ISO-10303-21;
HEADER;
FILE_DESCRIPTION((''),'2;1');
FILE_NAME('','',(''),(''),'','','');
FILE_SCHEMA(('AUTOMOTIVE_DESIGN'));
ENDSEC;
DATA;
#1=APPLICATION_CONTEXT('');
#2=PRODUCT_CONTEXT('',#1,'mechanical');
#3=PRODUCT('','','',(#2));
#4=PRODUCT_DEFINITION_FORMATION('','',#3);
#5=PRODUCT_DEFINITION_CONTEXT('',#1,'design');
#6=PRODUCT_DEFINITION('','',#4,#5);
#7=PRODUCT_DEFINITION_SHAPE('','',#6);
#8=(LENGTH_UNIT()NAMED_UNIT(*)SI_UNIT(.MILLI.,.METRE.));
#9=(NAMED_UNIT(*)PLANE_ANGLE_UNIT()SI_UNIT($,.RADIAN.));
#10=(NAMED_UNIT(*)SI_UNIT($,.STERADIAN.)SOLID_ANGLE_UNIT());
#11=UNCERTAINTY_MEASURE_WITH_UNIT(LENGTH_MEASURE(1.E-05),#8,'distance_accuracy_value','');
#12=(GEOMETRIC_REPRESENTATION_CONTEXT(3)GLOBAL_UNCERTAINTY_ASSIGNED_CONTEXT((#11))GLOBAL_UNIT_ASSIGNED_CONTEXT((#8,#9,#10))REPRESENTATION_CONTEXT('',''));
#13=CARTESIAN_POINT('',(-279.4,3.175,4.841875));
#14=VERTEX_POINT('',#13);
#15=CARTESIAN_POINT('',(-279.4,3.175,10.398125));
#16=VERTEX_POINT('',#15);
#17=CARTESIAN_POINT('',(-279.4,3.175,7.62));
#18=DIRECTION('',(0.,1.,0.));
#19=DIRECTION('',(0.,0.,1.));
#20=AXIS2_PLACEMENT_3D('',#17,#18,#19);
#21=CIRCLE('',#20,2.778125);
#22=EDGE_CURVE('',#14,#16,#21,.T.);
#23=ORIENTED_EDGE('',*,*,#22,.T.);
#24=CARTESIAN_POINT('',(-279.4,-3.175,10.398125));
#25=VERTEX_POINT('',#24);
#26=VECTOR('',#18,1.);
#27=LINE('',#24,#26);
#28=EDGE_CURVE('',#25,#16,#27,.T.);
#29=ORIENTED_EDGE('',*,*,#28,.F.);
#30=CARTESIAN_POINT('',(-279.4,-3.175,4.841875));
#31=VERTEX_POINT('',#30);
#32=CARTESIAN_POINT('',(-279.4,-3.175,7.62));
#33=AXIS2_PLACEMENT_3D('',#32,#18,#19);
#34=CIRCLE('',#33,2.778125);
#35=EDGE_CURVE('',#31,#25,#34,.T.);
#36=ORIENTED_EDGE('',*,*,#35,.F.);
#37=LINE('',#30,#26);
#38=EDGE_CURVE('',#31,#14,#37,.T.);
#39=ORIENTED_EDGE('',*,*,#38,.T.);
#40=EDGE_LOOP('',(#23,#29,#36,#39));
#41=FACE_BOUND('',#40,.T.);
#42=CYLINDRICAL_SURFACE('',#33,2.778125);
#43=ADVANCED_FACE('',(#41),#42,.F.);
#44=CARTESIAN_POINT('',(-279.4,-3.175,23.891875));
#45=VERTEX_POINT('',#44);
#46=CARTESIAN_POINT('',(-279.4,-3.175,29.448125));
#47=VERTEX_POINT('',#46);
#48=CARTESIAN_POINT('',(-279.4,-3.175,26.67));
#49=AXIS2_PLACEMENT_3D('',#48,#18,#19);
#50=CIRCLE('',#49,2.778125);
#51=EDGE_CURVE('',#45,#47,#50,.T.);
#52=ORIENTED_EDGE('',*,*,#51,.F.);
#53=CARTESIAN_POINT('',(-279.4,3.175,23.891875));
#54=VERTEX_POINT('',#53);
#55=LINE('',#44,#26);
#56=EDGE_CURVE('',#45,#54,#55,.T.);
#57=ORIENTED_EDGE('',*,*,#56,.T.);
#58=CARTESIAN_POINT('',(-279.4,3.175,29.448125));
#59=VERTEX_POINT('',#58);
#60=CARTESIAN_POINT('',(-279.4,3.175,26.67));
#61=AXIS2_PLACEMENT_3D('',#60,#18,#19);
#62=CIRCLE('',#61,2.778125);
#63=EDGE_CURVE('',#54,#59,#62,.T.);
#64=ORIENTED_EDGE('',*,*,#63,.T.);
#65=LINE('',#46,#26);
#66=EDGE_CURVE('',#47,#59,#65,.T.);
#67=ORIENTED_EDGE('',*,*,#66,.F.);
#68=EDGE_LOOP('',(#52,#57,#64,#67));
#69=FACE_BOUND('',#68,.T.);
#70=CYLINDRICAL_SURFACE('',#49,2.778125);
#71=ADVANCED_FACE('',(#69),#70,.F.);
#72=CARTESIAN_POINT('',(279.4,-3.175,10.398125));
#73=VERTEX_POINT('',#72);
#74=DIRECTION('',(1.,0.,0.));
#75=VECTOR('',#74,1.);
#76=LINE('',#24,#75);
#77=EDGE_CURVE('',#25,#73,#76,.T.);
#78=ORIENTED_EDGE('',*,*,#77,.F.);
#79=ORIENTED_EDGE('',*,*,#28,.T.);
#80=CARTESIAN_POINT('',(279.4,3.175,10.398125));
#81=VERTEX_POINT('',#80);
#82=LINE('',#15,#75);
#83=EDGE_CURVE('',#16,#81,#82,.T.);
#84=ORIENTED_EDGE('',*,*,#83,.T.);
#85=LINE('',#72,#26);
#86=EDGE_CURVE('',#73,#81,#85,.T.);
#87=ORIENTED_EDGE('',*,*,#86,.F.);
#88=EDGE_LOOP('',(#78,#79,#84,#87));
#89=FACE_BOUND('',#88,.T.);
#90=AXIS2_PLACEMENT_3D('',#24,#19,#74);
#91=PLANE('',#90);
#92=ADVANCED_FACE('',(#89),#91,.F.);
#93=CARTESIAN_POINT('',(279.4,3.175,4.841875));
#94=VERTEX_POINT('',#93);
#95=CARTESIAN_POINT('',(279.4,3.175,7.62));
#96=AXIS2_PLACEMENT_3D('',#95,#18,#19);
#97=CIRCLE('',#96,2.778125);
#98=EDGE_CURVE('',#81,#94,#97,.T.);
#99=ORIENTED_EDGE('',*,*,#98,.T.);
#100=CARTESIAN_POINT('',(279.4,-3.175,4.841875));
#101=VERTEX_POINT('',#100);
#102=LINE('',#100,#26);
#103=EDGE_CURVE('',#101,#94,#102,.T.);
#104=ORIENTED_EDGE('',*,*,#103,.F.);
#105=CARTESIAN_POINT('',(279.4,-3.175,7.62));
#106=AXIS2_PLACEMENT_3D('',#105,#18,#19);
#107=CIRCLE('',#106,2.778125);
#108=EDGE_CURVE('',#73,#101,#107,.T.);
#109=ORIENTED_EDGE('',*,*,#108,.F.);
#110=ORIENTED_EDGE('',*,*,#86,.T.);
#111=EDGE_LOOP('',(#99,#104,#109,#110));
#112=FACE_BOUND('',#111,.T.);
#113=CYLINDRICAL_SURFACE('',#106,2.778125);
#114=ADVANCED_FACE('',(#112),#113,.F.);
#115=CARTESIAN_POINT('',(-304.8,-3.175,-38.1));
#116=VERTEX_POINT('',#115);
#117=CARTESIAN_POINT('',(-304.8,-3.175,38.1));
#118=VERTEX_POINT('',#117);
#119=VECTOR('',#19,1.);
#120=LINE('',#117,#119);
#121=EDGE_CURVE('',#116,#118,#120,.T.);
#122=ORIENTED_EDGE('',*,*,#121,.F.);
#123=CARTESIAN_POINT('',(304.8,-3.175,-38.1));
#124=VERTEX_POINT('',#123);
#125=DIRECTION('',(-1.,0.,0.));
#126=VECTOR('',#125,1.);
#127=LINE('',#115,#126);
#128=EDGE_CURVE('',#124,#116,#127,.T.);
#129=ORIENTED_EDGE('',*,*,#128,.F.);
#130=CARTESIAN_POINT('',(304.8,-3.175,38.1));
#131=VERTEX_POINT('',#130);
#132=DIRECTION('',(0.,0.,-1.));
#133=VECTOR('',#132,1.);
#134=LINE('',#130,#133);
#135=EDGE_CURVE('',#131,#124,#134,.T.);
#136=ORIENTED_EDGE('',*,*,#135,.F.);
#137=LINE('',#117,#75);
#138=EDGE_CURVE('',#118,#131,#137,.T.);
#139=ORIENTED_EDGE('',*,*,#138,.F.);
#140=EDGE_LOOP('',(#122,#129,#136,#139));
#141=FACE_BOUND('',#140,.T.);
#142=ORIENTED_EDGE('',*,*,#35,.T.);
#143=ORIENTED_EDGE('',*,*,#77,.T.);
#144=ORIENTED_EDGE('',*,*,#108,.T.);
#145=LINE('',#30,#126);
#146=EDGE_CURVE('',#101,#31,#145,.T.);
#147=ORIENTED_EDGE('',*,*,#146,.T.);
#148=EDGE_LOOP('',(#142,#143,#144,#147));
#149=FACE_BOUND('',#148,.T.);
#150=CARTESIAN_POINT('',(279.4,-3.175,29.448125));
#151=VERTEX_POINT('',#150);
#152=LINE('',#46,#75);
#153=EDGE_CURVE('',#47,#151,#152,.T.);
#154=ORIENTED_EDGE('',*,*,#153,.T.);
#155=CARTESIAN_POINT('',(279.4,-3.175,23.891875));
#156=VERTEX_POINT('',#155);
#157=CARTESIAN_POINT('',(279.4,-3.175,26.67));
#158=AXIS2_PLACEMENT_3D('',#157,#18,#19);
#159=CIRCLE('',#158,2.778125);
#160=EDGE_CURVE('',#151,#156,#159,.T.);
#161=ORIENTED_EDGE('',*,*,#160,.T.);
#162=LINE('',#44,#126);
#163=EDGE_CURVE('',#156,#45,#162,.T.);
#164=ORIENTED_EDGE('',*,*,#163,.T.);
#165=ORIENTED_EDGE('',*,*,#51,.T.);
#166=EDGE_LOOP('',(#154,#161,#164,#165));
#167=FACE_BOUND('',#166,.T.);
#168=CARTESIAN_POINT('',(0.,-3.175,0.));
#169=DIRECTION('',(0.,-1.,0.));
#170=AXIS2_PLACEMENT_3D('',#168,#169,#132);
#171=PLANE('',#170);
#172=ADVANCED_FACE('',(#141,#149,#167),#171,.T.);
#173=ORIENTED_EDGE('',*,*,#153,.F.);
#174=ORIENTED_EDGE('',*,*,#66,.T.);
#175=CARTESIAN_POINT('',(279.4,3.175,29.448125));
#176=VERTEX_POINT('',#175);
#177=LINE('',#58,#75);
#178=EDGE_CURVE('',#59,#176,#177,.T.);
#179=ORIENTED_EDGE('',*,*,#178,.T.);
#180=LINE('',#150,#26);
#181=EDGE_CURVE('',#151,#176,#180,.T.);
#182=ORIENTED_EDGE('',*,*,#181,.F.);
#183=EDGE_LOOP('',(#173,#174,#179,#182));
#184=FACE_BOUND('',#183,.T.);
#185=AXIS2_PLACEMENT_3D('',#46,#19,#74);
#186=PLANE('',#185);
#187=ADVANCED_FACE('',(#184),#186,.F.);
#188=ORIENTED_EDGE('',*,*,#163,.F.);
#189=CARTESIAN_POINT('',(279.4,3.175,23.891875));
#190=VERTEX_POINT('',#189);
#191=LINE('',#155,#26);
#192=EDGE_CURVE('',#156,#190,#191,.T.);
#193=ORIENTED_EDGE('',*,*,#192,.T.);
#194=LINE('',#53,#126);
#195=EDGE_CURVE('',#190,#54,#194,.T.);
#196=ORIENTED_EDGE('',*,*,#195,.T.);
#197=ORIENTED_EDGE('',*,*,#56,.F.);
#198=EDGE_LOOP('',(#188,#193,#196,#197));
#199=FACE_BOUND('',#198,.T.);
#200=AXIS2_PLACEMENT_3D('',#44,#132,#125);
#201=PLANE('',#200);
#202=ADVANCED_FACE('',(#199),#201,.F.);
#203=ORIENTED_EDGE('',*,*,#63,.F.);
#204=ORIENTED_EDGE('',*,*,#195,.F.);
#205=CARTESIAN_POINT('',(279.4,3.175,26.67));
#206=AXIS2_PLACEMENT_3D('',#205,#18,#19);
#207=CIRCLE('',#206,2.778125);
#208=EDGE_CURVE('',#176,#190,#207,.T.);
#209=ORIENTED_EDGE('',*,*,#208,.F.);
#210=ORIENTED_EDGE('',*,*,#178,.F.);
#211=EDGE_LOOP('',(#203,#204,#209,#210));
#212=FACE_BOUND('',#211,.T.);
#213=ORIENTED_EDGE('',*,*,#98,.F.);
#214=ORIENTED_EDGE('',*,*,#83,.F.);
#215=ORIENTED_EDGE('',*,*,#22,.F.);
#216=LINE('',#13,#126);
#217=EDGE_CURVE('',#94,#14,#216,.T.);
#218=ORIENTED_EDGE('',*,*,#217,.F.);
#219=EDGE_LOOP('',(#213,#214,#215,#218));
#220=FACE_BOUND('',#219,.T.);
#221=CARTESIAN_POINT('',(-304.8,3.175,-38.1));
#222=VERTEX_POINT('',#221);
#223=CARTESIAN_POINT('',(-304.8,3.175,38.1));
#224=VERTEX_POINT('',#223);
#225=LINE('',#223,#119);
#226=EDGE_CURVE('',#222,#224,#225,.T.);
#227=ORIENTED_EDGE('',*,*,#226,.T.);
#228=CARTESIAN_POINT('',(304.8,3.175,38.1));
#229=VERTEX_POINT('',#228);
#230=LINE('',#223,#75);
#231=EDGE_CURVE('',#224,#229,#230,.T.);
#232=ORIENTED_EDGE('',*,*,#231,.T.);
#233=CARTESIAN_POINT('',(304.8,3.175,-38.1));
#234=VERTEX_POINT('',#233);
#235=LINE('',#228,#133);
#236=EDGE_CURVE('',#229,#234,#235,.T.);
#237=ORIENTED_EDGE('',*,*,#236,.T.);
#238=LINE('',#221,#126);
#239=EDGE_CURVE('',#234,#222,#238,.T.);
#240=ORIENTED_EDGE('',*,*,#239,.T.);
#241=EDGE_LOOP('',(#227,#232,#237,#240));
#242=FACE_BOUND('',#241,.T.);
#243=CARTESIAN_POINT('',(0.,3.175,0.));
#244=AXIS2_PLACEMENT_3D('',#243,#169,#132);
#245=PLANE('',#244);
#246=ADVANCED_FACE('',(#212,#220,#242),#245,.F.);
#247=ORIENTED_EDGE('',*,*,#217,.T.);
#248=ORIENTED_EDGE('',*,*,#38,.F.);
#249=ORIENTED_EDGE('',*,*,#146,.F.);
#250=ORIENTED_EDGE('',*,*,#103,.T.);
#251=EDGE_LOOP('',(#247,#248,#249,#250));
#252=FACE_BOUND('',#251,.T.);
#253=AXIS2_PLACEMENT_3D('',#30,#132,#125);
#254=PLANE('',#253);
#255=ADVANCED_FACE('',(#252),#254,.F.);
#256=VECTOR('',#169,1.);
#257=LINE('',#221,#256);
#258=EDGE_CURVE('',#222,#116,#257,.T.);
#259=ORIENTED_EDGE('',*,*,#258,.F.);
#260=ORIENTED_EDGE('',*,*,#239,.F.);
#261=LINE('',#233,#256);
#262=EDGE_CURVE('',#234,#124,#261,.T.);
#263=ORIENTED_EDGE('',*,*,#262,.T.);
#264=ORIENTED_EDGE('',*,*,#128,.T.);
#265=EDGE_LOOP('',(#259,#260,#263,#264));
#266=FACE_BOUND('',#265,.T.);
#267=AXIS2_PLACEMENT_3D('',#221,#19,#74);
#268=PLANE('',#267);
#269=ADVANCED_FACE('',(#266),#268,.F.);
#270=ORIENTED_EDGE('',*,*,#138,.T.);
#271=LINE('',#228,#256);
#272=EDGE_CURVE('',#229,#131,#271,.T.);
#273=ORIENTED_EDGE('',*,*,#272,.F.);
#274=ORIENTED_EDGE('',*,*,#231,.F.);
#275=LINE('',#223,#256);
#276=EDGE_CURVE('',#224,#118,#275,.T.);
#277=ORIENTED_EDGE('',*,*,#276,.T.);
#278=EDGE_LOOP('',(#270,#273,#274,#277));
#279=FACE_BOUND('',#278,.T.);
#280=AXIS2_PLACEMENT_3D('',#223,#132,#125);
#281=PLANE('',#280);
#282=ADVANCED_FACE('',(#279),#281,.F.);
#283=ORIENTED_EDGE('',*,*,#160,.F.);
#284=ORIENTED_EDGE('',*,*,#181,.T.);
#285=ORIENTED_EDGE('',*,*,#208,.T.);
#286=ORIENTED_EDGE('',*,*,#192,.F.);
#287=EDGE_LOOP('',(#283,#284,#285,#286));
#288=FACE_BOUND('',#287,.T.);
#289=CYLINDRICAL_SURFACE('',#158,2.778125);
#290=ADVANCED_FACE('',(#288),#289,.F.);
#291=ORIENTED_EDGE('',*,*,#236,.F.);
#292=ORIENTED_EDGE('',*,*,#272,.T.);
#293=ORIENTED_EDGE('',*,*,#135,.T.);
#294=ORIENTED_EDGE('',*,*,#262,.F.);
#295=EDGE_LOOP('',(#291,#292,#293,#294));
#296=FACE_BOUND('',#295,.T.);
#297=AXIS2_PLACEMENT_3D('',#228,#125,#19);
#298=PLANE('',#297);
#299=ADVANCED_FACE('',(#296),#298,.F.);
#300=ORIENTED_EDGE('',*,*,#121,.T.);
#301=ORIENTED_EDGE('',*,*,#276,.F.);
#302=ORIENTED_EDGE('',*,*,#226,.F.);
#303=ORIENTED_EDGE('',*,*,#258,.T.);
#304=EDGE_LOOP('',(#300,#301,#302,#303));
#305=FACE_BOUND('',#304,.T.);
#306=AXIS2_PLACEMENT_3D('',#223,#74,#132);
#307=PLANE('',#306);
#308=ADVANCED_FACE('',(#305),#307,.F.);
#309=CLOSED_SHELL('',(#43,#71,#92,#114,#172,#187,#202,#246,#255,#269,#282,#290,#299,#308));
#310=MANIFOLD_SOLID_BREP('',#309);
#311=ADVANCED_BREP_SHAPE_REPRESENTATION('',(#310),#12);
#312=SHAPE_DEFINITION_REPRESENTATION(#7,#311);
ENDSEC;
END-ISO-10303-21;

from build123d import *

# Parameters (mm, degrees)
SKETCH1_W           = 609.6
SKETCH1_H           = 76.2
BOSS_EXTRUDE1_DEPTH = 3.175
CUT_EXTRUDE1_DEPTH  = 308.237648246


with BuildPart() as part:
    # Sketch1 → Boss-Extrude1 (new, symmetric)
    with BuildSketch(Plane(origin=(0, 0, 0), x_dir=(1, 0, 0), z_dir=(0, 1, 0))):
        Rectangle(SKETCH1_W, SKETCH1_H)
    extrude(amount=BOSS_EXTRUDE1_DEPTH, both=True)

    # Sketch2 → Cut-Extrude1 (cut, through all)
    with BuildSketch(Plane(origin=(0, 3.175, 0), x_dir=(1, 0, 0), z_dir=(0, 1, 0))):
        with BuildLine():
            Line((-279.4, -4.841875), (279.4, -4.841875))
            ThreePointArc((279.4, -4.841875), (282.178125, -7.62), (279.4, -10.398125))
            Line((279.4, -10.398125), (-279.4, -10.398125))
            ThreePointArc((-279.4, -10.398125), (-282.178125, -7.62), (-279.4, -4.841875))
        make_face()
        with BuildLine():
            Line((-279.4, -23.891875), (279.4, -23.891875))
            ThreePointArc((279.4, -23.891875), (282.178125, -26.67), (279.4, -29.448125))
            Line((279.4, -29.448125), (-279.4, -29.448125))
            ThreePointArc((-279.4, -29.448125), (-282.178125, -26.67), (-279.4, -23.891875))
        make_face()
    extrude(amount=-CUT_EXTRUDE1_DEPTH, mode=Mode.SUBTRACT)


solid = part.part
